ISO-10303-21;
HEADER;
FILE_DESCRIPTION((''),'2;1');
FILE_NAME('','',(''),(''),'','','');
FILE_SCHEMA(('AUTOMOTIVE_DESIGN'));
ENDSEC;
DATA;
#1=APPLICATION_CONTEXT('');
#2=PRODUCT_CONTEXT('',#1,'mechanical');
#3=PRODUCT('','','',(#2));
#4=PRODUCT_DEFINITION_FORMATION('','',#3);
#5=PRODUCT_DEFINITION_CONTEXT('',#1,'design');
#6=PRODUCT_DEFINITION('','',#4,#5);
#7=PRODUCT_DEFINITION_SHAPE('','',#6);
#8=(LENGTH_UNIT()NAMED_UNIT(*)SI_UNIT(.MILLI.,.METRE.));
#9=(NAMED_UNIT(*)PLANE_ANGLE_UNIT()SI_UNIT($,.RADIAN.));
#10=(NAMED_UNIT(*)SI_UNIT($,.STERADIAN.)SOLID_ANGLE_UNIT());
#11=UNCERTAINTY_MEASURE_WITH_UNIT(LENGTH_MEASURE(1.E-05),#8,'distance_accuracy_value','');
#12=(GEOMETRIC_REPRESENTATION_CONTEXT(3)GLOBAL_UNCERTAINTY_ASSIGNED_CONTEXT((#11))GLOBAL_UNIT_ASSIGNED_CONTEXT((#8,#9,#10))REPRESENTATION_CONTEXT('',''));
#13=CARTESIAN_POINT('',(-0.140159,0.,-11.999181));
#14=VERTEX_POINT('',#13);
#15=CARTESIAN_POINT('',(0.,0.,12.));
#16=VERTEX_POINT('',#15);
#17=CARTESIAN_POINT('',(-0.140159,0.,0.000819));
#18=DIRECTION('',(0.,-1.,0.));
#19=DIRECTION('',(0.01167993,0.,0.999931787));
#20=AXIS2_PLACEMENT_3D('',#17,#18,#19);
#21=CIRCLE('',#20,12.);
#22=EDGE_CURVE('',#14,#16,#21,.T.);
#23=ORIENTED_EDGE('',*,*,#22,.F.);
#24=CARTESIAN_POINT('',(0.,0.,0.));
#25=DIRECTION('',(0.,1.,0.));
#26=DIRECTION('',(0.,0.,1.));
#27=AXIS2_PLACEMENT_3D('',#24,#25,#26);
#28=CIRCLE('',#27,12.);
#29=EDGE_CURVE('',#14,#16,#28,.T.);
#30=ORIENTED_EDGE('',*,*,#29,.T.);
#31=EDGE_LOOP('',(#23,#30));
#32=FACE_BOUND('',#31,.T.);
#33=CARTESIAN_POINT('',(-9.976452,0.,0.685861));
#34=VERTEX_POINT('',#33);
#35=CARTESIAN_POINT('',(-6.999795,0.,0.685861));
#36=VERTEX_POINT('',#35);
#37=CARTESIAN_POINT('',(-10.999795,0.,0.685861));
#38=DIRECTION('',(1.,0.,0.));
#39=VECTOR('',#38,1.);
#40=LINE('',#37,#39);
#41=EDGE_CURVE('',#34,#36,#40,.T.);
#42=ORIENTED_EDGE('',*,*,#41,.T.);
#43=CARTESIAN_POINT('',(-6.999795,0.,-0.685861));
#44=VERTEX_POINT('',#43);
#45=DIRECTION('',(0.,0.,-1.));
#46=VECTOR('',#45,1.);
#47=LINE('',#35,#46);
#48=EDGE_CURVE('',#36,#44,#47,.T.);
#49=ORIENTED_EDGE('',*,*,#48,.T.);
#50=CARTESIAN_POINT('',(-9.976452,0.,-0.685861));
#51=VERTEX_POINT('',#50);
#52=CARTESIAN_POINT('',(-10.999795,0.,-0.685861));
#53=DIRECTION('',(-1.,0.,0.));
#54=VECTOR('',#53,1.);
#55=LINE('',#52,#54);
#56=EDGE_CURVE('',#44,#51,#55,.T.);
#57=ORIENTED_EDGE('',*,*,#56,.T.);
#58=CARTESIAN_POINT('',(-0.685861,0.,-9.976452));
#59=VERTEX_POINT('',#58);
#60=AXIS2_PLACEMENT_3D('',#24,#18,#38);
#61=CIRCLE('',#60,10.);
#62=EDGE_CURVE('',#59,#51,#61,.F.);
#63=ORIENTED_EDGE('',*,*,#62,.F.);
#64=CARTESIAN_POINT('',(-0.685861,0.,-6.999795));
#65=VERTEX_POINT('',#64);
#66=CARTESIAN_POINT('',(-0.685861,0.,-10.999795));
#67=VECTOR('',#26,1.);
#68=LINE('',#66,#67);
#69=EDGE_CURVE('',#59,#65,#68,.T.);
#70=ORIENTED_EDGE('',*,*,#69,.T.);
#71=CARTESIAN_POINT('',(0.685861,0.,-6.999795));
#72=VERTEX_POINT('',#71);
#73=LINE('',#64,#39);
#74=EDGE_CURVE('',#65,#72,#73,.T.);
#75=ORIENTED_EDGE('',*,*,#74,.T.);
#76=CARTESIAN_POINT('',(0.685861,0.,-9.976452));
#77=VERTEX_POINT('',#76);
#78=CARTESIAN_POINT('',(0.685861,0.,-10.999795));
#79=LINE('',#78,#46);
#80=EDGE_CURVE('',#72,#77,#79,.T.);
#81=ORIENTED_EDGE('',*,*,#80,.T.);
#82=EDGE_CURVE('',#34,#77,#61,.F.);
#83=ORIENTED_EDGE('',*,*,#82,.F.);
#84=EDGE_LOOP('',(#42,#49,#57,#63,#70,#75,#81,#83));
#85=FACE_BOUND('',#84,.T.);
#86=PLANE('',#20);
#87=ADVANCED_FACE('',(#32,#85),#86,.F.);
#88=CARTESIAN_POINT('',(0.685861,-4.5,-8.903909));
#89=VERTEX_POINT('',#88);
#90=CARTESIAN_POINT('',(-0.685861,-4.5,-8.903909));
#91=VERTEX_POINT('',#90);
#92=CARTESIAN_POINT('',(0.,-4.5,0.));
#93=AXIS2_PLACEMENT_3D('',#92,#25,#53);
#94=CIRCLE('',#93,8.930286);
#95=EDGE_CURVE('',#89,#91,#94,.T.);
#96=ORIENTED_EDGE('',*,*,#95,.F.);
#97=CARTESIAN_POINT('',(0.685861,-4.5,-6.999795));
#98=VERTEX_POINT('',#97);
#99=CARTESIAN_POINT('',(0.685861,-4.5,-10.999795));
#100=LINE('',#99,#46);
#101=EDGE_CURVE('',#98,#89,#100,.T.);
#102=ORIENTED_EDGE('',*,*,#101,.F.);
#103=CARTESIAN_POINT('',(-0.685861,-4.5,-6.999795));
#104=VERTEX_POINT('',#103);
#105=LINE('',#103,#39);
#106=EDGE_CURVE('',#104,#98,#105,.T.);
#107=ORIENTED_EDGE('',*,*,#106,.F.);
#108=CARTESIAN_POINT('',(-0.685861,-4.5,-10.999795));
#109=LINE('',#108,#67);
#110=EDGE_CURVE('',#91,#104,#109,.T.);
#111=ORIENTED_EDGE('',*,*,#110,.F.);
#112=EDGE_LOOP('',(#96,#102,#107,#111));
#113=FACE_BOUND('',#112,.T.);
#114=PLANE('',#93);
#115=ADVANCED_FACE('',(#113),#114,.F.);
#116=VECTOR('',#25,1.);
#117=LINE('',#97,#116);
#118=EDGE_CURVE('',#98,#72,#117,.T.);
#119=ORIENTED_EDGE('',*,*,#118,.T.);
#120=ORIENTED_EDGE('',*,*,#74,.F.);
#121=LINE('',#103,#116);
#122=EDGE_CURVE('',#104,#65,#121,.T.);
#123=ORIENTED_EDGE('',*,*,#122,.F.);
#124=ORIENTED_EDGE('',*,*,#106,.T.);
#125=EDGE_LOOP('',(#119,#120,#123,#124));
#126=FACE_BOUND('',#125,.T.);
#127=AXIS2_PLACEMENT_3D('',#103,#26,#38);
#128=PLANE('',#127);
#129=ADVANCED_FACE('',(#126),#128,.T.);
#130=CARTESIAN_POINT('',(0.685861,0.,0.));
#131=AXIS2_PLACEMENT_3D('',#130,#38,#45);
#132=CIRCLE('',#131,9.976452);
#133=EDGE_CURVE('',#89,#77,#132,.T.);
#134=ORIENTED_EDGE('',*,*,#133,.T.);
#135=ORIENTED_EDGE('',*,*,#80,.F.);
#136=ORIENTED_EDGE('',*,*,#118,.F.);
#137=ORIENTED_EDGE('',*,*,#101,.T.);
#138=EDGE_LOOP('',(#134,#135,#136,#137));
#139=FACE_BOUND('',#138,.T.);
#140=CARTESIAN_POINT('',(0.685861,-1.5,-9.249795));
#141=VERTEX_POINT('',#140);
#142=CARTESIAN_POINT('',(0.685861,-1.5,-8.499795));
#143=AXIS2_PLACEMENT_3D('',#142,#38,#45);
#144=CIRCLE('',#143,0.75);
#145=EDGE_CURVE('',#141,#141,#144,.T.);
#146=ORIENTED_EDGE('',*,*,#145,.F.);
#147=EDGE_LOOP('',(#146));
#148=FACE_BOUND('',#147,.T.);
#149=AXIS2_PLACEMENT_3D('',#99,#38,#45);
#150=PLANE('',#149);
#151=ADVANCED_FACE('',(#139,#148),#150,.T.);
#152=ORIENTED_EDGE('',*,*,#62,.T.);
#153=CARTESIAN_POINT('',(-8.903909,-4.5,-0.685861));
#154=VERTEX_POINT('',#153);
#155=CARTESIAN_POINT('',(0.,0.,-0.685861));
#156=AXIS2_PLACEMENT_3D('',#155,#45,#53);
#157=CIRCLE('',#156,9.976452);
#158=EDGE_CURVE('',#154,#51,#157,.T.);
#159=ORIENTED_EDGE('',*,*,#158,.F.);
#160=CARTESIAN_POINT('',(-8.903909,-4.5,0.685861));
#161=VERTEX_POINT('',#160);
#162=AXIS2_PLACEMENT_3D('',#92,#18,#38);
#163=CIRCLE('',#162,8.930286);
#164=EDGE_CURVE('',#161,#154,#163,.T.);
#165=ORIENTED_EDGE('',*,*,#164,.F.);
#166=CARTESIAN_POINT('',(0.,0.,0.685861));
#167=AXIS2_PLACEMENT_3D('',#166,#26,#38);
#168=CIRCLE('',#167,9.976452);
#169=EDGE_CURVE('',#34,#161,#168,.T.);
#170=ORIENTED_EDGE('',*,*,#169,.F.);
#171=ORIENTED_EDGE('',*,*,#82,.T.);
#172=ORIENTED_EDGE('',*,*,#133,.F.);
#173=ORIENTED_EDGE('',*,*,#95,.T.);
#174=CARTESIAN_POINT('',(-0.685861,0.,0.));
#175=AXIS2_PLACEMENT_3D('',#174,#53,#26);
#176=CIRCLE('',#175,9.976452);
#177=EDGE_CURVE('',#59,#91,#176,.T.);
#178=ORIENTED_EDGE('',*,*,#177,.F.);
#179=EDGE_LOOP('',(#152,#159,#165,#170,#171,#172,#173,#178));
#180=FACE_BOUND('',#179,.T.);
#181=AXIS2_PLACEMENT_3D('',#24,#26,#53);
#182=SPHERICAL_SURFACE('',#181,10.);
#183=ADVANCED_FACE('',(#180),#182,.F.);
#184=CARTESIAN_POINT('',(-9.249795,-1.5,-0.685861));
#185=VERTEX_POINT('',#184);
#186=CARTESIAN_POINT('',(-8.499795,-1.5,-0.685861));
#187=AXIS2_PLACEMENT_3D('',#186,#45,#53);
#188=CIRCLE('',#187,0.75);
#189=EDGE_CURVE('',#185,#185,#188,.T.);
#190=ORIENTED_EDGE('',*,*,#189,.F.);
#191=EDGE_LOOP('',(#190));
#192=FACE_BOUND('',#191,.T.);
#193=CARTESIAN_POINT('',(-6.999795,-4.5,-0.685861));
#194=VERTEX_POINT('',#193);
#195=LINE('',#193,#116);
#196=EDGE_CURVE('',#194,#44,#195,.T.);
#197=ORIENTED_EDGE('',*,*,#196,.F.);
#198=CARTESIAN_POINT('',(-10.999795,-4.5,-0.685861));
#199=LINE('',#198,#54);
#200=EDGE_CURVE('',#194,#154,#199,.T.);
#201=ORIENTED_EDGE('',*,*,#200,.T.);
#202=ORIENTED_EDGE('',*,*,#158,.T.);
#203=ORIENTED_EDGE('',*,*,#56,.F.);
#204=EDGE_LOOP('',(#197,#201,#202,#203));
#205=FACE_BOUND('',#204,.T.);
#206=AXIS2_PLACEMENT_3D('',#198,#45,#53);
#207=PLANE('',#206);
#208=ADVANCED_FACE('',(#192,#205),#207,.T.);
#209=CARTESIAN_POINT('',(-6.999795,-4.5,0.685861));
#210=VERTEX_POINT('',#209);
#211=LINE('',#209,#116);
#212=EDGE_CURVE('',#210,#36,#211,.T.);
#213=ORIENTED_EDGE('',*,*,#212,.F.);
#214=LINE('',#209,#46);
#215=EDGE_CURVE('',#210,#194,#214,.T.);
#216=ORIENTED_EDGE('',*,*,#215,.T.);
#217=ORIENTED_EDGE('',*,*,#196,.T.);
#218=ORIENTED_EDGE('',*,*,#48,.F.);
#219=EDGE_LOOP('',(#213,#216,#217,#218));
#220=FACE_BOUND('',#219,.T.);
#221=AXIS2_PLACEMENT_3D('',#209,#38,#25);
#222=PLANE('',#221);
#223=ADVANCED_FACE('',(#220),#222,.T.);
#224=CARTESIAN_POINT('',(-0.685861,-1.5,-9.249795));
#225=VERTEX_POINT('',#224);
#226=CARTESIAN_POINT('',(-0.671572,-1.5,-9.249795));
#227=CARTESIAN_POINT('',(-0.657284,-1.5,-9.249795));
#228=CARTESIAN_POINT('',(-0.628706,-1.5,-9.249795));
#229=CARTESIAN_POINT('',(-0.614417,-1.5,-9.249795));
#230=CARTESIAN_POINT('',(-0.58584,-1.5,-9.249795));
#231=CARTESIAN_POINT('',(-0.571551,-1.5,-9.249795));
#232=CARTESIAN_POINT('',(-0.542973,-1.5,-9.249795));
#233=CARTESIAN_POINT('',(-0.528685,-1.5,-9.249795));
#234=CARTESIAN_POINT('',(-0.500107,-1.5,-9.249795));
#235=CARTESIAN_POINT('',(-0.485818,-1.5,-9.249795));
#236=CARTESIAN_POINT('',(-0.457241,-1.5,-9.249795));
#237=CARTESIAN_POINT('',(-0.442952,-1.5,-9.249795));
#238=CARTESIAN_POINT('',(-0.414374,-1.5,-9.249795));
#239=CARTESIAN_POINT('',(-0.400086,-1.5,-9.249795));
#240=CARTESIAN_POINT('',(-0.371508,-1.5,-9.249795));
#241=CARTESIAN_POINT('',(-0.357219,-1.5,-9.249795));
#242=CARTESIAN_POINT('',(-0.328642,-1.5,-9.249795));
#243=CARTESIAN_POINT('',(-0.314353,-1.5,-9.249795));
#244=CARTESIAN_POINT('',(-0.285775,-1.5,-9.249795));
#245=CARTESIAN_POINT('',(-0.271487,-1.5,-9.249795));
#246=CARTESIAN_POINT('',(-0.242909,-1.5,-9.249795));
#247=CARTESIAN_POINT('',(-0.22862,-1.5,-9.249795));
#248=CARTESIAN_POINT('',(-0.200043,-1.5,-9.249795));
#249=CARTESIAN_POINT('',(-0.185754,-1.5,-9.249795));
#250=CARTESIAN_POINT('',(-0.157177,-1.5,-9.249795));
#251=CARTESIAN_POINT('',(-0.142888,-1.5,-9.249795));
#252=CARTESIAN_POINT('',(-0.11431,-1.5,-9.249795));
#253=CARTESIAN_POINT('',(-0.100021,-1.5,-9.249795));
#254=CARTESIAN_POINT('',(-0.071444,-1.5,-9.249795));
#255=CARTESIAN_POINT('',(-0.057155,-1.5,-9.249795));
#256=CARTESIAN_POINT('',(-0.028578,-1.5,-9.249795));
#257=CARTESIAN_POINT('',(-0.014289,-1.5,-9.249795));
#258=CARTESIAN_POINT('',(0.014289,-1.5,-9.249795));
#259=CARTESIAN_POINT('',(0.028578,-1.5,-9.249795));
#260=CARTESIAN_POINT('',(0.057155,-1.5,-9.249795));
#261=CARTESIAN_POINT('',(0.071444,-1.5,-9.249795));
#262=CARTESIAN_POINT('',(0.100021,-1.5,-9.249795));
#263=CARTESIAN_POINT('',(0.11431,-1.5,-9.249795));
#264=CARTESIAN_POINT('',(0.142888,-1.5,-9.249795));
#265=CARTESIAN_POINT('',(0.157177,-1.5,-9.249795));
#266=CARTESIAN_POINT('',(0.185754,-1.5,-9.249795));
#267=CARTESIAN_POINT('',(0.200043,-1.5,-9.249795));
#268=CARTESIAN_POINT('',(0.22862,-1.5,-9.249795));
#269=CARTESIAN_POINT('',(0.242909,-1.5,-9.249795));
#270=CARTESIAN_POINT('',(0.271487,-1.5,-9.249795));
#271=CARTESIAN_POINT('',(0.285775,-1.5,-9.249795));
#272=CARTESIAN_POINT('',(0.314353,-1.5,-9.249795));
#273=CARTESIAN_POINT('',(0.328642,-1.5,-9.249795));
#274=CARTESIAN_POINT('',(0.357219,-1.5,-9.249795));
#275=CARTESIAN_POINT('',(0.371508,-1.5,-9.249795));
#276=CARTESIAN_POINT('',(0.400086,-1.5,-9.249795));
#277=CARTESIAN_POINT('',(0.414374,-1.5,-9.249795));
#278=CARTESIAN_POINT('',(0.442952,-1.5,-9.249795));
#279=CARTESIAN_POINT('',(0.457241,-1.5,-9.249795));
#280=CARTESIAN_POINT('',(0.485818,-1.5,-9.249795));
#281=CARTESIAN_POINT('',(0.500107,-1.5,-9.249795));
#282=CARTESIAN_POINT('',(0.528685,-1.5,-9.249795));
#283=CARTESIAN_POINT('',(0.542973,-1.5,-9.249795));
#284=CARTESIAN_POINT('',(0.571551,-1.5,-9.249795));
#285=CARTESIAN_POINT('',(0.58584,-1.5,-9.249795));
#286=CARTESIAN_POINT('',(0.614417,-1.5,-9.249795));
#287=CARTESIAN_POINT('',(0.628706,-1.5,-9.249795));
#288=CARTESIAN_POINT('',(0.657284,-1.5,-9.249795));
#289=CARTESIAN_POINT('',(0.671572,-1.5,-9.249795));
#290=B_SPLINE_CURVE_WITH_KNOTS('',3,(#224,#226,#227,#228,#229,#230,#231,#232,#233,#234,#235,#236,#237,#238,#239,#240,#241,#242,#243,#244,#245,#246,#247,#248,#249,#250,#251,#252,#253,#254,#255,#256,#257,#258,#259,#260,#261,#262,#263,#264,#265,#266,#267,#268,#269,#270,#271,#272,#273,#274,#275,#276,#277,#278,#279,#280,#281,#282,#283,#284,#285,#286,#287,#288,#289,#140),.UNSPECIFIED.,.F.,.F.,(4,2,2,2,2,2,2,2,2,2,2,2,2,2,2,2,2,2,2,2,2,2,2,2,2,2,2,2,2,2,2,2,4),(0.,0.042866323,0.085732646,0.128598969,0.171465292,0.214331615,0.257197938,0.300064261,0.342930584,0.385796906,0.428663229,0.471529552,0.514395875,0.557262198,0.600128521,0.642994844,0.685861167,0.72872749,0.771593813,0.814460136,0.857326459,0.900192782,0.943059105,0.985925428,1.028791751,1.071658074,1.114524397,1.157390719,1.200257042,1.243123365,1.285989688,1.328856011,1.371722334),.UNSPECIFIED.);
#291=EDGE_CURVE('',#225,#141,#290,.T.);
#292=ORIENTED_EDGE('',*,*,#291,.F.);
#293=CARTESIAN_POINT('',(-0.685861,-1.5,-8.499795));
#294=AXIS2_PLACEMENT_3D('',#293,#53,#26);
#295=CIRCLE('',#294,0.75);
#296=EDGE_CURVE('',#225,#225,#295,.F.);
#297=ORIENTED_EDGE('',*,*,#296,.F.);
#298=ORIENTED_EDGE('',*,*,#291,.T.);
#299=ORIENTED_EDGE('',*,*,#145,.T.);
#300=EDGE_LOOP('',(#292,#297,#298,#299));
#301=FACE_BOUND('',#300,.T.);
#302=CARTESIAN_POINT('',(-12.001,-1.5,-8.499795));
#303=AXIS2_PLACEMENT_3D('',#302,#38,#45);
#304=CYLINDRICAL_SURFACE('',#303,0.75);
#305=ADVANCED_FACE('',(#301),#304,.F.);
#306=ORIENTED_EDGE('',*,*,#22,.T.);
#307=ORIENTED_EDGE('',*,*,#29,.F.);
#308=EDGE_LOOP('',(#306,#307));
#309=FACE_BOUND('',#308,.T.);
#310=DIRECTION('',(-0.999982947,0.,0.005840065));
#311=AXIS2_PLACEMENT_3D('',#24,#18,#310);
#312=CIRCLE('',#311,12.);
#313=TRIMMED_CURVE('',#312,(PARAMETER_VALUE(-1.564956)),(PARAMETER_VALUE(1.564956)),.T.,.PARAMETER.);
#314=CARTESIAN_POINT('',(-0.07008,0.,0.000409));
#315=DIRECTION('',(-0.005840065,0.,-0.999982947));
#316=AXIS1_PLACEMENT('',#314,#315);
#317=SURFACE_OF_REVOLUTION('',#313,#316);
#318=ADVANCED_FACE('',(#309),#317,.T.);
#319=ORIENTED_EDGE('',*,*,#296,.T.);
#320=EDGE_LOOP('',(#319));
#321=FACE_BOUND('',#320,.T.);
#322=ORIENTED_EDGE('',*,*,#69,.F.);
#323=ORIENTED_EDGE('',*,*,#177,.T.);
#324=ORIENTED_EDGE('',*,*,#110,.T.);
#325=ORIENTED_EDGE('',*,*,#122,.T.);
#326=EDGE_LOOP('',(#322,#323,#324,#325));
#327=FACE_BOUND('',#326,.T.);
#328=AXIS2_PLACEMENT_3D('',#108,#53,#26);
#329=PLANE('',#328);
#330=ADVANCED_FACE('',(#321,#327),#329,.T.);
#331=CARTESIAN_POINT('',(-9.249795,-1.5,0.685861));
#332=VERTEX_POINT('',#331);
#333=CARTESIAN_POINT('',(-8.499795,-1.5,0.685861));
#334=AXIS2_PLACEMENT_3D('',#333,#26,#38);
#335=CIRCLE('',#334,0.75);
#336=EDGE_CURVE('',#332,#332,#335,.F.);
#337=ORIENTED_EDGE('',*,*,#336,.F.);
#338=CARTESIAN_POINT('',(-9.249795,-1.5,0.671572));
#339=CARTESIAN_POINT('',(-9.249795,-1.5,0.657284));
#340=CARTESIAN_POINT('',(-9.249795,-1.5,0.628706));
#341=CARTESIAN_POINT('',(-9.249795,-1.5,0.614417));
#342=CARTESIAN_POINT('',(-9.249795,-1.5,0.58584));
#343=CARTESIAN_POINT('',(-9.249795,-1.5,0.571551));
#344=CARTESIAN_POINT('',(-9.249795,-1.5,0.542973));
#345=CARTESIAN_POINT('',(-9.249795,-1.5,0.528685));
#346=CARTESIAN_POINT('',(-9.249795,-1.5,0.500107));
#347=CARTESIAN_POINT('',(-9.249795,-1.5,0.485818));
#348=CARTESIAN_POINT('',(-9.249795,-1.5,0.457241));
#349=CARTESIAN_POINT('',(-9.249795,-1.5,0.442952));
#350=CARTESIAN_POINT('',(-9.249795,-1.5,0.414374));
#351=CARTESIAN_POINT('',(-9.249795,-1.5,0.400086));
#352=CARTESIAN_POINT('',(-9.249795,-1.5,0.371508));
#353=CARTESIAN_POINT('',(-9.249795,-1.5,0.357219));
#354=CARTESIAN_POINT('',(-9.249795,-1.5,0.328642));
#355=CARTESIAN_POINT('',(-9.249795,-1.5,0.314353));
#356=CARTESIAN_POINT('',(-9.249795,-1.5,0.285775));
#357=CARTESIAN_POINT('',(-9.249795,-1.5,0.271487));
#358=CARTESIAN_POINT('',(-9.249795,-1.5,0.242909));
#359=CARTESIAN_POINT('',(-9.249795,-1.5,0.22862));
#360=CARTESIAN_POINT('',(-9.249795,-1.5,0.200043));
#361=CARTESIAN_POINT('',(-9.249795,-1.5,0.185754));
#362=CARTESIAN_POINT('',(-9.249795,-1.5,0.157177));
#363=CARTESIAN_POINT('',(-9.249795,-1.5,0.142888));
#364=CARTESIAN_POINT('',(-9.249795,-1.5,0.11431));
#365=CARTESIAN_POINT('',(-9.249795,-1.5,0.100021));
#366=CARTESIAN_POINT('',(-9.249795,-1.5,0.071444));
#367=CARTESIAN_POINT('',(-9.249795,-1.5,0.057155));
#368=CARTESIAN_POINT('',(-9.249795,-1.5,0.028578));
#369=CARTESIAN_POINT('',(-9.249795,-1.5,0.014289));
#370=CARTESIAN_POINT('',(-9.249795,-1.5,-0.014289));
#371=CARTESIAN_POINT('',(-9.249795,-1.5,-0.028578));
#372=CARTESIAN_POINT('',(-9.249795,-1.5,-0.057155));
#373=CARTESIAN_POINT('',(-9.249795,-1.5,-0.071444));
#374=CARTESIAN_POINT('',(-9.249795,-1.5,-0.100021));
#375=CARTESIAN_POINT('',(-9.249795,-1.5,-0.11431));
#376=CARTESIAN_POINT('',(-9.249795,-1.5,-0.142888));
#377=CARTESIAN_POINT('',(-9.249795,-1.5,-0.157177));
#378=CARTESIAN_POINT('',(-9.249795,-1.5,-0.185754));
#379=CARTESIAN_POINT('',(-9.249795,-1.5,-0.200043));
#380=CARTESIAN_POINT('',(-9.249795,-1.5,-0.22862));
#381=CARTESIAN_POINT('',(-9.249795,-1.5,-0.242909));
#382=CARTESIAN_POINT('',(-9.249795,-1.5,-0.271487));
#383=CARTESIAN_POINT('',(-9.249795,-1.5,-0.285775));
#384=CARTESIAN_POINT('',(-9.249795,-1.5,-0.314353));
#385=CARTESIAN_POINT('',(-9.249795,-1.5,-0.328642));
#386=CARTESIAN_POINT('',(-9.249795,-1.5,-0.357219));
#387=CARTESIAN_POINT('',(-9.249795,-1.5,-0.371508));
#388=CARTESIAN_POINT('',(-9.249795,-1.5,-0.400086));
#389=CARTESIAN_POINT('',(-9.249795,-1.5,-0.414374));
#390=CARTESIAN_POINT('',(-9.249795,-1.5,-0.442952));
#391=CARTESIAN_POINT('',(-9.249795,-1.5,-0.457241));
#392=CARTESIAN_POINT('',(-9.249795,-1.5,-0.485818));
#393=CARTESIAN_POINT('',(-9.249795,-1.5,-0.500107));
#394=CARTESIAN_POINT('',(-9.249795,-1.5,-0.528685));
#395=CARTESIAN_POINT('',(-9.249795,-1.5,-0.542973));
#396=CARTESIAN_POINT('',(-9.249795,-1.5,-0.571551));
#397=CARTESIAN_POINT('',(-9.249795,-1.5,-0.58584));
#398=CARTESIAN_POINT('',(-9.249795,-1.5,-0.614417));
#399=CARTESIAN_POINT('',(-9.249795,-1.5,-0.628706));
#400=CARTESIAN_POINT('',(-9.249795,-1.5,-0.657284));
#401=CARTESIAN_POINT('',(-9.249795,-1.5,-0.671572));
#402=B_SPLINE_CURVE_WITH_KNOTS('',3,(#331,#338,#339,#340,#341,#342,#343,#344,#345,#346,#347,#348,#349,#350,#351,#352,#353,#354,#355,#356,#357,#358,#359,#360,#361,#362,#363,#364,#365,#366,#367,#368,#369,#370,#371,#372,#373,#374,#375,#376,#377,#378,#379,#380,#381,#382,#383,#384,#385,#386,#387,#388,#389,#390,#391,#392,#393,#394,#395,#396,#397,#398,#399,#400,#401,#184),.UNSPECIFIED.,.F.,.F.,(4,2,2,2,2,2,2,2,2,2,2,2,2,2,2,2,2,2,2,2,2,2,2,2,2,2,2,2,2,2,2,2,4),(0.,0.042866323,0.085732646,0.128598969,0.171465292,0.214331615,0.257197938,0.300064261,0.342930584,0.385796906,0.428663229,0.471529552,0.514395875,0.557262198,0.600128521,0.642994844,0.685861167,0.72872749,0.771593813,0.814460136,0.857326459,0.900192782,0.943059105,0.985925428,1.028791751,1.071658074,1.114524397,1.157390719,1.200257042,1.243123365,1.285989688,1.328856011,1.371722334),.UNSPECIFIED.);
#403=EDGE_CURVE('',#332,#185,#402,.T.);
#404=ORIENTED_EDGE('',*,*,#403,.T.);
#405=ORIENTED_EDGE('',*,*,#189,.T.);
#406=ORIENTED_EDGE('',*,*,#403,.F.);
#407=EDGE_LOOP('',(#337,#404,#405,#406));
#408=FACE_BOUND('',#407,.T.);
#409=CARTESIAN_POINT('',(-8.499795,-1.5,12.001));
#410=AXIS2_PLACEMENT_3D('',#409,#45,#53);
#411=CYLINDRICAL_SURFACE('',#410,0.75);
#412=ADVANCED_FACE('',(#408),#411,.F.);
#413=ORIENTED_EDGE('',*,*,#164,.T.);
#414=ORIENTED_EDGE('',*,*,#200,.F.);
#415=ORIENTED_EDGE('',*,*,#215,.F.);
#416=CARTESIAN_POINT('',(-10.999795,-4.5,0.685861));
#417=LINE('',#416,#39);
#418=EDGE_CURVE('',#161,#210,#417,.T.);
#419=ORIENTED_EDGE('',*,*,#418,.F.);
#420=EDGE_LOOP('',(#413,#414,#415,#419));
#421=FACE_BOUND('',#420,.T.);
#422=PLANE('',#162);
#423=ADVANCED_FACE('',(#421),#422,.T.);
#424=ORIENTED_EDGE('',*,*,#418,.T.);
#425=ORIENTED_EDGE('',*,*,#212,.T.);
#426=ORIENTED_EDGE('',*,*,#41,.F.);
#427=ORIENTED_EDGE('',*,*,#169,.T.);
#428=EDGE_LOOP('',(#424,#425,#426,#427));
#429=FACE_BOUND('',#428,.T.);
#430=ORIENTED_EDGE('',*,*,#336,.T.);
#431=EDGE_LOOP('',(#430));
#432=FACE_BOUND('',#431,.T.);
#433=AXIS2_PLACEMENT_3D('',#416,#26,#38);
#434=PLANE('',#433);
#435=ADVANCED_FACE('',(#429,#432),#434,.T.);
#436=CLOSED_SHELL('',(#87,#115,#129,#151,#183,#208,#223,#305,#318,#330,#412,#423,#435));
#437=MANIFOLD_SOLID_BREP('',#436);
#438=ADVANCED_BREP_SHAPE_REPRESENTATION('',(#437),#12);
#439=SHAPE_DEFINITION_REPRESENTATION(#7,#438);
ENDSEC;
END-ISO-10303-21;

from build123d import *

# Parameters (mm, degrees)
REVOLVE1_ANGLE      = 180
SKETCH3_W           = 1.371722334
SKETCH3_H           = 4
SKETCH3_W_2         = 4
SKETCH3_H_2         = 1.371722334
BOSS_EXTRUDE1_DEPTH = 4.5
CUT_EXTRUDE1_REACH  = 23.148
SKETCH4_R           = 0.75
CUT_EXTRUDE2_REACH  = 23.148
SKETCH5_R           = 0.75


with BuildPart() as part:
    # Sketch1 → Revolve1 (revolve)
    with BuildSketch(Plane(origin=(0, 0, 0), x_dir=(1, 0, 0), z_dir=(0, 1, 0))):
        with BuildLine():
            Line((-0.14015916, 11.999181447), (0, -12))
            ThreePointArc((0, -12), (-11.99979536, -0.070080775), (-0.14015916, 11.999181447))
        make_face()
    revolve(axis=Axis((-0.14015916, 0, -11.999181447), (0.005840064605885622, 0, 0.9999829466772917)), revolution_arc=REVOLVE1_ANGLE)

    # Sketch2 → Cut-Revolve1 (revolve, cut)
    with BuildSketch(Plane(origin=(0, 0, 0), x_dir=(1, 0, 0), z_dir=(0, 1, 0))):
        with BuildLine():
            Line((0, -10), (0, 10))
            ThreePointArc((0, 10), (-10, 0), (0, -10))
        make_face()
    revolve(axis=Axis((0, 0, 10), (0, 0, -1)), mode=Mode.SUBTRACT)

    # Sketch3 → Boss-Extrude1 (add)
    with BuildSketch(Plane(origin=(0, 0, 0), x_dir=(1, 0, 0), z_dir=(0, 1, 0))):
        with Locations((0, 8.99979536)):
            Rectangle(SKETCH3_W, SKETCH3_H)
        with Locations((-8.99979536, 0)):
            Rectangle(SKETCH3_W_2, SKETCH3_H_2)
    extrude(amount=-BOSS_EXTRUDE1_DEPTH)

    # Sketch4 → Cut-Extrude1 (cut, up to next)
    with BuildSketch(Plane(origin=(0, 0, -0.685861167), x_dir=(-1, 0, 0), z_dir=(0, 0, -1)), mode=Mode.PRIVATE) as cut_extrude1_sk1:
        with Locations((8.49979536, -1.5)):
            Circle(SKETCH4_R)
    cut_extrude1_tool1 = extrude(cut_extrude1_sk1.sketch, amount=-CUT_EXTRUDE1_REACH, mode=Mode.PRIVATE) & part.part
    add(cut_extrude1_tool1.solids().sort_by_distance((-8.499795, -1.5, -0.685861))[0], mode=Mode.SUBTRACT)

    # Sketch5 → Cut-Extrude2 (cut, up to next)
    with BuildSketch(Plane(origin=(0.685861167, 0, 0), x_dir=(0, 0, -1), z_dir=(1, 0, 0)), mode=Mode.PRIVATE) as cut_extrude2_sk1:
        with Locations((8.49979536, -1.5)):
            Circle(SKETCH5_R)
    cut_extrude2_tool1 = extrude(cut_extrude2_sk1.sketch, amount=-CUT_EXTRUDE2_REACH, mode=Mode.PRIVATE) & part.part
    add(cut_extrude2_tool1.solids().sort_by_distance((0.685861, -1.5, -8.499795))[0], mode=Mode.SUBTRACT)


solid = part.part
